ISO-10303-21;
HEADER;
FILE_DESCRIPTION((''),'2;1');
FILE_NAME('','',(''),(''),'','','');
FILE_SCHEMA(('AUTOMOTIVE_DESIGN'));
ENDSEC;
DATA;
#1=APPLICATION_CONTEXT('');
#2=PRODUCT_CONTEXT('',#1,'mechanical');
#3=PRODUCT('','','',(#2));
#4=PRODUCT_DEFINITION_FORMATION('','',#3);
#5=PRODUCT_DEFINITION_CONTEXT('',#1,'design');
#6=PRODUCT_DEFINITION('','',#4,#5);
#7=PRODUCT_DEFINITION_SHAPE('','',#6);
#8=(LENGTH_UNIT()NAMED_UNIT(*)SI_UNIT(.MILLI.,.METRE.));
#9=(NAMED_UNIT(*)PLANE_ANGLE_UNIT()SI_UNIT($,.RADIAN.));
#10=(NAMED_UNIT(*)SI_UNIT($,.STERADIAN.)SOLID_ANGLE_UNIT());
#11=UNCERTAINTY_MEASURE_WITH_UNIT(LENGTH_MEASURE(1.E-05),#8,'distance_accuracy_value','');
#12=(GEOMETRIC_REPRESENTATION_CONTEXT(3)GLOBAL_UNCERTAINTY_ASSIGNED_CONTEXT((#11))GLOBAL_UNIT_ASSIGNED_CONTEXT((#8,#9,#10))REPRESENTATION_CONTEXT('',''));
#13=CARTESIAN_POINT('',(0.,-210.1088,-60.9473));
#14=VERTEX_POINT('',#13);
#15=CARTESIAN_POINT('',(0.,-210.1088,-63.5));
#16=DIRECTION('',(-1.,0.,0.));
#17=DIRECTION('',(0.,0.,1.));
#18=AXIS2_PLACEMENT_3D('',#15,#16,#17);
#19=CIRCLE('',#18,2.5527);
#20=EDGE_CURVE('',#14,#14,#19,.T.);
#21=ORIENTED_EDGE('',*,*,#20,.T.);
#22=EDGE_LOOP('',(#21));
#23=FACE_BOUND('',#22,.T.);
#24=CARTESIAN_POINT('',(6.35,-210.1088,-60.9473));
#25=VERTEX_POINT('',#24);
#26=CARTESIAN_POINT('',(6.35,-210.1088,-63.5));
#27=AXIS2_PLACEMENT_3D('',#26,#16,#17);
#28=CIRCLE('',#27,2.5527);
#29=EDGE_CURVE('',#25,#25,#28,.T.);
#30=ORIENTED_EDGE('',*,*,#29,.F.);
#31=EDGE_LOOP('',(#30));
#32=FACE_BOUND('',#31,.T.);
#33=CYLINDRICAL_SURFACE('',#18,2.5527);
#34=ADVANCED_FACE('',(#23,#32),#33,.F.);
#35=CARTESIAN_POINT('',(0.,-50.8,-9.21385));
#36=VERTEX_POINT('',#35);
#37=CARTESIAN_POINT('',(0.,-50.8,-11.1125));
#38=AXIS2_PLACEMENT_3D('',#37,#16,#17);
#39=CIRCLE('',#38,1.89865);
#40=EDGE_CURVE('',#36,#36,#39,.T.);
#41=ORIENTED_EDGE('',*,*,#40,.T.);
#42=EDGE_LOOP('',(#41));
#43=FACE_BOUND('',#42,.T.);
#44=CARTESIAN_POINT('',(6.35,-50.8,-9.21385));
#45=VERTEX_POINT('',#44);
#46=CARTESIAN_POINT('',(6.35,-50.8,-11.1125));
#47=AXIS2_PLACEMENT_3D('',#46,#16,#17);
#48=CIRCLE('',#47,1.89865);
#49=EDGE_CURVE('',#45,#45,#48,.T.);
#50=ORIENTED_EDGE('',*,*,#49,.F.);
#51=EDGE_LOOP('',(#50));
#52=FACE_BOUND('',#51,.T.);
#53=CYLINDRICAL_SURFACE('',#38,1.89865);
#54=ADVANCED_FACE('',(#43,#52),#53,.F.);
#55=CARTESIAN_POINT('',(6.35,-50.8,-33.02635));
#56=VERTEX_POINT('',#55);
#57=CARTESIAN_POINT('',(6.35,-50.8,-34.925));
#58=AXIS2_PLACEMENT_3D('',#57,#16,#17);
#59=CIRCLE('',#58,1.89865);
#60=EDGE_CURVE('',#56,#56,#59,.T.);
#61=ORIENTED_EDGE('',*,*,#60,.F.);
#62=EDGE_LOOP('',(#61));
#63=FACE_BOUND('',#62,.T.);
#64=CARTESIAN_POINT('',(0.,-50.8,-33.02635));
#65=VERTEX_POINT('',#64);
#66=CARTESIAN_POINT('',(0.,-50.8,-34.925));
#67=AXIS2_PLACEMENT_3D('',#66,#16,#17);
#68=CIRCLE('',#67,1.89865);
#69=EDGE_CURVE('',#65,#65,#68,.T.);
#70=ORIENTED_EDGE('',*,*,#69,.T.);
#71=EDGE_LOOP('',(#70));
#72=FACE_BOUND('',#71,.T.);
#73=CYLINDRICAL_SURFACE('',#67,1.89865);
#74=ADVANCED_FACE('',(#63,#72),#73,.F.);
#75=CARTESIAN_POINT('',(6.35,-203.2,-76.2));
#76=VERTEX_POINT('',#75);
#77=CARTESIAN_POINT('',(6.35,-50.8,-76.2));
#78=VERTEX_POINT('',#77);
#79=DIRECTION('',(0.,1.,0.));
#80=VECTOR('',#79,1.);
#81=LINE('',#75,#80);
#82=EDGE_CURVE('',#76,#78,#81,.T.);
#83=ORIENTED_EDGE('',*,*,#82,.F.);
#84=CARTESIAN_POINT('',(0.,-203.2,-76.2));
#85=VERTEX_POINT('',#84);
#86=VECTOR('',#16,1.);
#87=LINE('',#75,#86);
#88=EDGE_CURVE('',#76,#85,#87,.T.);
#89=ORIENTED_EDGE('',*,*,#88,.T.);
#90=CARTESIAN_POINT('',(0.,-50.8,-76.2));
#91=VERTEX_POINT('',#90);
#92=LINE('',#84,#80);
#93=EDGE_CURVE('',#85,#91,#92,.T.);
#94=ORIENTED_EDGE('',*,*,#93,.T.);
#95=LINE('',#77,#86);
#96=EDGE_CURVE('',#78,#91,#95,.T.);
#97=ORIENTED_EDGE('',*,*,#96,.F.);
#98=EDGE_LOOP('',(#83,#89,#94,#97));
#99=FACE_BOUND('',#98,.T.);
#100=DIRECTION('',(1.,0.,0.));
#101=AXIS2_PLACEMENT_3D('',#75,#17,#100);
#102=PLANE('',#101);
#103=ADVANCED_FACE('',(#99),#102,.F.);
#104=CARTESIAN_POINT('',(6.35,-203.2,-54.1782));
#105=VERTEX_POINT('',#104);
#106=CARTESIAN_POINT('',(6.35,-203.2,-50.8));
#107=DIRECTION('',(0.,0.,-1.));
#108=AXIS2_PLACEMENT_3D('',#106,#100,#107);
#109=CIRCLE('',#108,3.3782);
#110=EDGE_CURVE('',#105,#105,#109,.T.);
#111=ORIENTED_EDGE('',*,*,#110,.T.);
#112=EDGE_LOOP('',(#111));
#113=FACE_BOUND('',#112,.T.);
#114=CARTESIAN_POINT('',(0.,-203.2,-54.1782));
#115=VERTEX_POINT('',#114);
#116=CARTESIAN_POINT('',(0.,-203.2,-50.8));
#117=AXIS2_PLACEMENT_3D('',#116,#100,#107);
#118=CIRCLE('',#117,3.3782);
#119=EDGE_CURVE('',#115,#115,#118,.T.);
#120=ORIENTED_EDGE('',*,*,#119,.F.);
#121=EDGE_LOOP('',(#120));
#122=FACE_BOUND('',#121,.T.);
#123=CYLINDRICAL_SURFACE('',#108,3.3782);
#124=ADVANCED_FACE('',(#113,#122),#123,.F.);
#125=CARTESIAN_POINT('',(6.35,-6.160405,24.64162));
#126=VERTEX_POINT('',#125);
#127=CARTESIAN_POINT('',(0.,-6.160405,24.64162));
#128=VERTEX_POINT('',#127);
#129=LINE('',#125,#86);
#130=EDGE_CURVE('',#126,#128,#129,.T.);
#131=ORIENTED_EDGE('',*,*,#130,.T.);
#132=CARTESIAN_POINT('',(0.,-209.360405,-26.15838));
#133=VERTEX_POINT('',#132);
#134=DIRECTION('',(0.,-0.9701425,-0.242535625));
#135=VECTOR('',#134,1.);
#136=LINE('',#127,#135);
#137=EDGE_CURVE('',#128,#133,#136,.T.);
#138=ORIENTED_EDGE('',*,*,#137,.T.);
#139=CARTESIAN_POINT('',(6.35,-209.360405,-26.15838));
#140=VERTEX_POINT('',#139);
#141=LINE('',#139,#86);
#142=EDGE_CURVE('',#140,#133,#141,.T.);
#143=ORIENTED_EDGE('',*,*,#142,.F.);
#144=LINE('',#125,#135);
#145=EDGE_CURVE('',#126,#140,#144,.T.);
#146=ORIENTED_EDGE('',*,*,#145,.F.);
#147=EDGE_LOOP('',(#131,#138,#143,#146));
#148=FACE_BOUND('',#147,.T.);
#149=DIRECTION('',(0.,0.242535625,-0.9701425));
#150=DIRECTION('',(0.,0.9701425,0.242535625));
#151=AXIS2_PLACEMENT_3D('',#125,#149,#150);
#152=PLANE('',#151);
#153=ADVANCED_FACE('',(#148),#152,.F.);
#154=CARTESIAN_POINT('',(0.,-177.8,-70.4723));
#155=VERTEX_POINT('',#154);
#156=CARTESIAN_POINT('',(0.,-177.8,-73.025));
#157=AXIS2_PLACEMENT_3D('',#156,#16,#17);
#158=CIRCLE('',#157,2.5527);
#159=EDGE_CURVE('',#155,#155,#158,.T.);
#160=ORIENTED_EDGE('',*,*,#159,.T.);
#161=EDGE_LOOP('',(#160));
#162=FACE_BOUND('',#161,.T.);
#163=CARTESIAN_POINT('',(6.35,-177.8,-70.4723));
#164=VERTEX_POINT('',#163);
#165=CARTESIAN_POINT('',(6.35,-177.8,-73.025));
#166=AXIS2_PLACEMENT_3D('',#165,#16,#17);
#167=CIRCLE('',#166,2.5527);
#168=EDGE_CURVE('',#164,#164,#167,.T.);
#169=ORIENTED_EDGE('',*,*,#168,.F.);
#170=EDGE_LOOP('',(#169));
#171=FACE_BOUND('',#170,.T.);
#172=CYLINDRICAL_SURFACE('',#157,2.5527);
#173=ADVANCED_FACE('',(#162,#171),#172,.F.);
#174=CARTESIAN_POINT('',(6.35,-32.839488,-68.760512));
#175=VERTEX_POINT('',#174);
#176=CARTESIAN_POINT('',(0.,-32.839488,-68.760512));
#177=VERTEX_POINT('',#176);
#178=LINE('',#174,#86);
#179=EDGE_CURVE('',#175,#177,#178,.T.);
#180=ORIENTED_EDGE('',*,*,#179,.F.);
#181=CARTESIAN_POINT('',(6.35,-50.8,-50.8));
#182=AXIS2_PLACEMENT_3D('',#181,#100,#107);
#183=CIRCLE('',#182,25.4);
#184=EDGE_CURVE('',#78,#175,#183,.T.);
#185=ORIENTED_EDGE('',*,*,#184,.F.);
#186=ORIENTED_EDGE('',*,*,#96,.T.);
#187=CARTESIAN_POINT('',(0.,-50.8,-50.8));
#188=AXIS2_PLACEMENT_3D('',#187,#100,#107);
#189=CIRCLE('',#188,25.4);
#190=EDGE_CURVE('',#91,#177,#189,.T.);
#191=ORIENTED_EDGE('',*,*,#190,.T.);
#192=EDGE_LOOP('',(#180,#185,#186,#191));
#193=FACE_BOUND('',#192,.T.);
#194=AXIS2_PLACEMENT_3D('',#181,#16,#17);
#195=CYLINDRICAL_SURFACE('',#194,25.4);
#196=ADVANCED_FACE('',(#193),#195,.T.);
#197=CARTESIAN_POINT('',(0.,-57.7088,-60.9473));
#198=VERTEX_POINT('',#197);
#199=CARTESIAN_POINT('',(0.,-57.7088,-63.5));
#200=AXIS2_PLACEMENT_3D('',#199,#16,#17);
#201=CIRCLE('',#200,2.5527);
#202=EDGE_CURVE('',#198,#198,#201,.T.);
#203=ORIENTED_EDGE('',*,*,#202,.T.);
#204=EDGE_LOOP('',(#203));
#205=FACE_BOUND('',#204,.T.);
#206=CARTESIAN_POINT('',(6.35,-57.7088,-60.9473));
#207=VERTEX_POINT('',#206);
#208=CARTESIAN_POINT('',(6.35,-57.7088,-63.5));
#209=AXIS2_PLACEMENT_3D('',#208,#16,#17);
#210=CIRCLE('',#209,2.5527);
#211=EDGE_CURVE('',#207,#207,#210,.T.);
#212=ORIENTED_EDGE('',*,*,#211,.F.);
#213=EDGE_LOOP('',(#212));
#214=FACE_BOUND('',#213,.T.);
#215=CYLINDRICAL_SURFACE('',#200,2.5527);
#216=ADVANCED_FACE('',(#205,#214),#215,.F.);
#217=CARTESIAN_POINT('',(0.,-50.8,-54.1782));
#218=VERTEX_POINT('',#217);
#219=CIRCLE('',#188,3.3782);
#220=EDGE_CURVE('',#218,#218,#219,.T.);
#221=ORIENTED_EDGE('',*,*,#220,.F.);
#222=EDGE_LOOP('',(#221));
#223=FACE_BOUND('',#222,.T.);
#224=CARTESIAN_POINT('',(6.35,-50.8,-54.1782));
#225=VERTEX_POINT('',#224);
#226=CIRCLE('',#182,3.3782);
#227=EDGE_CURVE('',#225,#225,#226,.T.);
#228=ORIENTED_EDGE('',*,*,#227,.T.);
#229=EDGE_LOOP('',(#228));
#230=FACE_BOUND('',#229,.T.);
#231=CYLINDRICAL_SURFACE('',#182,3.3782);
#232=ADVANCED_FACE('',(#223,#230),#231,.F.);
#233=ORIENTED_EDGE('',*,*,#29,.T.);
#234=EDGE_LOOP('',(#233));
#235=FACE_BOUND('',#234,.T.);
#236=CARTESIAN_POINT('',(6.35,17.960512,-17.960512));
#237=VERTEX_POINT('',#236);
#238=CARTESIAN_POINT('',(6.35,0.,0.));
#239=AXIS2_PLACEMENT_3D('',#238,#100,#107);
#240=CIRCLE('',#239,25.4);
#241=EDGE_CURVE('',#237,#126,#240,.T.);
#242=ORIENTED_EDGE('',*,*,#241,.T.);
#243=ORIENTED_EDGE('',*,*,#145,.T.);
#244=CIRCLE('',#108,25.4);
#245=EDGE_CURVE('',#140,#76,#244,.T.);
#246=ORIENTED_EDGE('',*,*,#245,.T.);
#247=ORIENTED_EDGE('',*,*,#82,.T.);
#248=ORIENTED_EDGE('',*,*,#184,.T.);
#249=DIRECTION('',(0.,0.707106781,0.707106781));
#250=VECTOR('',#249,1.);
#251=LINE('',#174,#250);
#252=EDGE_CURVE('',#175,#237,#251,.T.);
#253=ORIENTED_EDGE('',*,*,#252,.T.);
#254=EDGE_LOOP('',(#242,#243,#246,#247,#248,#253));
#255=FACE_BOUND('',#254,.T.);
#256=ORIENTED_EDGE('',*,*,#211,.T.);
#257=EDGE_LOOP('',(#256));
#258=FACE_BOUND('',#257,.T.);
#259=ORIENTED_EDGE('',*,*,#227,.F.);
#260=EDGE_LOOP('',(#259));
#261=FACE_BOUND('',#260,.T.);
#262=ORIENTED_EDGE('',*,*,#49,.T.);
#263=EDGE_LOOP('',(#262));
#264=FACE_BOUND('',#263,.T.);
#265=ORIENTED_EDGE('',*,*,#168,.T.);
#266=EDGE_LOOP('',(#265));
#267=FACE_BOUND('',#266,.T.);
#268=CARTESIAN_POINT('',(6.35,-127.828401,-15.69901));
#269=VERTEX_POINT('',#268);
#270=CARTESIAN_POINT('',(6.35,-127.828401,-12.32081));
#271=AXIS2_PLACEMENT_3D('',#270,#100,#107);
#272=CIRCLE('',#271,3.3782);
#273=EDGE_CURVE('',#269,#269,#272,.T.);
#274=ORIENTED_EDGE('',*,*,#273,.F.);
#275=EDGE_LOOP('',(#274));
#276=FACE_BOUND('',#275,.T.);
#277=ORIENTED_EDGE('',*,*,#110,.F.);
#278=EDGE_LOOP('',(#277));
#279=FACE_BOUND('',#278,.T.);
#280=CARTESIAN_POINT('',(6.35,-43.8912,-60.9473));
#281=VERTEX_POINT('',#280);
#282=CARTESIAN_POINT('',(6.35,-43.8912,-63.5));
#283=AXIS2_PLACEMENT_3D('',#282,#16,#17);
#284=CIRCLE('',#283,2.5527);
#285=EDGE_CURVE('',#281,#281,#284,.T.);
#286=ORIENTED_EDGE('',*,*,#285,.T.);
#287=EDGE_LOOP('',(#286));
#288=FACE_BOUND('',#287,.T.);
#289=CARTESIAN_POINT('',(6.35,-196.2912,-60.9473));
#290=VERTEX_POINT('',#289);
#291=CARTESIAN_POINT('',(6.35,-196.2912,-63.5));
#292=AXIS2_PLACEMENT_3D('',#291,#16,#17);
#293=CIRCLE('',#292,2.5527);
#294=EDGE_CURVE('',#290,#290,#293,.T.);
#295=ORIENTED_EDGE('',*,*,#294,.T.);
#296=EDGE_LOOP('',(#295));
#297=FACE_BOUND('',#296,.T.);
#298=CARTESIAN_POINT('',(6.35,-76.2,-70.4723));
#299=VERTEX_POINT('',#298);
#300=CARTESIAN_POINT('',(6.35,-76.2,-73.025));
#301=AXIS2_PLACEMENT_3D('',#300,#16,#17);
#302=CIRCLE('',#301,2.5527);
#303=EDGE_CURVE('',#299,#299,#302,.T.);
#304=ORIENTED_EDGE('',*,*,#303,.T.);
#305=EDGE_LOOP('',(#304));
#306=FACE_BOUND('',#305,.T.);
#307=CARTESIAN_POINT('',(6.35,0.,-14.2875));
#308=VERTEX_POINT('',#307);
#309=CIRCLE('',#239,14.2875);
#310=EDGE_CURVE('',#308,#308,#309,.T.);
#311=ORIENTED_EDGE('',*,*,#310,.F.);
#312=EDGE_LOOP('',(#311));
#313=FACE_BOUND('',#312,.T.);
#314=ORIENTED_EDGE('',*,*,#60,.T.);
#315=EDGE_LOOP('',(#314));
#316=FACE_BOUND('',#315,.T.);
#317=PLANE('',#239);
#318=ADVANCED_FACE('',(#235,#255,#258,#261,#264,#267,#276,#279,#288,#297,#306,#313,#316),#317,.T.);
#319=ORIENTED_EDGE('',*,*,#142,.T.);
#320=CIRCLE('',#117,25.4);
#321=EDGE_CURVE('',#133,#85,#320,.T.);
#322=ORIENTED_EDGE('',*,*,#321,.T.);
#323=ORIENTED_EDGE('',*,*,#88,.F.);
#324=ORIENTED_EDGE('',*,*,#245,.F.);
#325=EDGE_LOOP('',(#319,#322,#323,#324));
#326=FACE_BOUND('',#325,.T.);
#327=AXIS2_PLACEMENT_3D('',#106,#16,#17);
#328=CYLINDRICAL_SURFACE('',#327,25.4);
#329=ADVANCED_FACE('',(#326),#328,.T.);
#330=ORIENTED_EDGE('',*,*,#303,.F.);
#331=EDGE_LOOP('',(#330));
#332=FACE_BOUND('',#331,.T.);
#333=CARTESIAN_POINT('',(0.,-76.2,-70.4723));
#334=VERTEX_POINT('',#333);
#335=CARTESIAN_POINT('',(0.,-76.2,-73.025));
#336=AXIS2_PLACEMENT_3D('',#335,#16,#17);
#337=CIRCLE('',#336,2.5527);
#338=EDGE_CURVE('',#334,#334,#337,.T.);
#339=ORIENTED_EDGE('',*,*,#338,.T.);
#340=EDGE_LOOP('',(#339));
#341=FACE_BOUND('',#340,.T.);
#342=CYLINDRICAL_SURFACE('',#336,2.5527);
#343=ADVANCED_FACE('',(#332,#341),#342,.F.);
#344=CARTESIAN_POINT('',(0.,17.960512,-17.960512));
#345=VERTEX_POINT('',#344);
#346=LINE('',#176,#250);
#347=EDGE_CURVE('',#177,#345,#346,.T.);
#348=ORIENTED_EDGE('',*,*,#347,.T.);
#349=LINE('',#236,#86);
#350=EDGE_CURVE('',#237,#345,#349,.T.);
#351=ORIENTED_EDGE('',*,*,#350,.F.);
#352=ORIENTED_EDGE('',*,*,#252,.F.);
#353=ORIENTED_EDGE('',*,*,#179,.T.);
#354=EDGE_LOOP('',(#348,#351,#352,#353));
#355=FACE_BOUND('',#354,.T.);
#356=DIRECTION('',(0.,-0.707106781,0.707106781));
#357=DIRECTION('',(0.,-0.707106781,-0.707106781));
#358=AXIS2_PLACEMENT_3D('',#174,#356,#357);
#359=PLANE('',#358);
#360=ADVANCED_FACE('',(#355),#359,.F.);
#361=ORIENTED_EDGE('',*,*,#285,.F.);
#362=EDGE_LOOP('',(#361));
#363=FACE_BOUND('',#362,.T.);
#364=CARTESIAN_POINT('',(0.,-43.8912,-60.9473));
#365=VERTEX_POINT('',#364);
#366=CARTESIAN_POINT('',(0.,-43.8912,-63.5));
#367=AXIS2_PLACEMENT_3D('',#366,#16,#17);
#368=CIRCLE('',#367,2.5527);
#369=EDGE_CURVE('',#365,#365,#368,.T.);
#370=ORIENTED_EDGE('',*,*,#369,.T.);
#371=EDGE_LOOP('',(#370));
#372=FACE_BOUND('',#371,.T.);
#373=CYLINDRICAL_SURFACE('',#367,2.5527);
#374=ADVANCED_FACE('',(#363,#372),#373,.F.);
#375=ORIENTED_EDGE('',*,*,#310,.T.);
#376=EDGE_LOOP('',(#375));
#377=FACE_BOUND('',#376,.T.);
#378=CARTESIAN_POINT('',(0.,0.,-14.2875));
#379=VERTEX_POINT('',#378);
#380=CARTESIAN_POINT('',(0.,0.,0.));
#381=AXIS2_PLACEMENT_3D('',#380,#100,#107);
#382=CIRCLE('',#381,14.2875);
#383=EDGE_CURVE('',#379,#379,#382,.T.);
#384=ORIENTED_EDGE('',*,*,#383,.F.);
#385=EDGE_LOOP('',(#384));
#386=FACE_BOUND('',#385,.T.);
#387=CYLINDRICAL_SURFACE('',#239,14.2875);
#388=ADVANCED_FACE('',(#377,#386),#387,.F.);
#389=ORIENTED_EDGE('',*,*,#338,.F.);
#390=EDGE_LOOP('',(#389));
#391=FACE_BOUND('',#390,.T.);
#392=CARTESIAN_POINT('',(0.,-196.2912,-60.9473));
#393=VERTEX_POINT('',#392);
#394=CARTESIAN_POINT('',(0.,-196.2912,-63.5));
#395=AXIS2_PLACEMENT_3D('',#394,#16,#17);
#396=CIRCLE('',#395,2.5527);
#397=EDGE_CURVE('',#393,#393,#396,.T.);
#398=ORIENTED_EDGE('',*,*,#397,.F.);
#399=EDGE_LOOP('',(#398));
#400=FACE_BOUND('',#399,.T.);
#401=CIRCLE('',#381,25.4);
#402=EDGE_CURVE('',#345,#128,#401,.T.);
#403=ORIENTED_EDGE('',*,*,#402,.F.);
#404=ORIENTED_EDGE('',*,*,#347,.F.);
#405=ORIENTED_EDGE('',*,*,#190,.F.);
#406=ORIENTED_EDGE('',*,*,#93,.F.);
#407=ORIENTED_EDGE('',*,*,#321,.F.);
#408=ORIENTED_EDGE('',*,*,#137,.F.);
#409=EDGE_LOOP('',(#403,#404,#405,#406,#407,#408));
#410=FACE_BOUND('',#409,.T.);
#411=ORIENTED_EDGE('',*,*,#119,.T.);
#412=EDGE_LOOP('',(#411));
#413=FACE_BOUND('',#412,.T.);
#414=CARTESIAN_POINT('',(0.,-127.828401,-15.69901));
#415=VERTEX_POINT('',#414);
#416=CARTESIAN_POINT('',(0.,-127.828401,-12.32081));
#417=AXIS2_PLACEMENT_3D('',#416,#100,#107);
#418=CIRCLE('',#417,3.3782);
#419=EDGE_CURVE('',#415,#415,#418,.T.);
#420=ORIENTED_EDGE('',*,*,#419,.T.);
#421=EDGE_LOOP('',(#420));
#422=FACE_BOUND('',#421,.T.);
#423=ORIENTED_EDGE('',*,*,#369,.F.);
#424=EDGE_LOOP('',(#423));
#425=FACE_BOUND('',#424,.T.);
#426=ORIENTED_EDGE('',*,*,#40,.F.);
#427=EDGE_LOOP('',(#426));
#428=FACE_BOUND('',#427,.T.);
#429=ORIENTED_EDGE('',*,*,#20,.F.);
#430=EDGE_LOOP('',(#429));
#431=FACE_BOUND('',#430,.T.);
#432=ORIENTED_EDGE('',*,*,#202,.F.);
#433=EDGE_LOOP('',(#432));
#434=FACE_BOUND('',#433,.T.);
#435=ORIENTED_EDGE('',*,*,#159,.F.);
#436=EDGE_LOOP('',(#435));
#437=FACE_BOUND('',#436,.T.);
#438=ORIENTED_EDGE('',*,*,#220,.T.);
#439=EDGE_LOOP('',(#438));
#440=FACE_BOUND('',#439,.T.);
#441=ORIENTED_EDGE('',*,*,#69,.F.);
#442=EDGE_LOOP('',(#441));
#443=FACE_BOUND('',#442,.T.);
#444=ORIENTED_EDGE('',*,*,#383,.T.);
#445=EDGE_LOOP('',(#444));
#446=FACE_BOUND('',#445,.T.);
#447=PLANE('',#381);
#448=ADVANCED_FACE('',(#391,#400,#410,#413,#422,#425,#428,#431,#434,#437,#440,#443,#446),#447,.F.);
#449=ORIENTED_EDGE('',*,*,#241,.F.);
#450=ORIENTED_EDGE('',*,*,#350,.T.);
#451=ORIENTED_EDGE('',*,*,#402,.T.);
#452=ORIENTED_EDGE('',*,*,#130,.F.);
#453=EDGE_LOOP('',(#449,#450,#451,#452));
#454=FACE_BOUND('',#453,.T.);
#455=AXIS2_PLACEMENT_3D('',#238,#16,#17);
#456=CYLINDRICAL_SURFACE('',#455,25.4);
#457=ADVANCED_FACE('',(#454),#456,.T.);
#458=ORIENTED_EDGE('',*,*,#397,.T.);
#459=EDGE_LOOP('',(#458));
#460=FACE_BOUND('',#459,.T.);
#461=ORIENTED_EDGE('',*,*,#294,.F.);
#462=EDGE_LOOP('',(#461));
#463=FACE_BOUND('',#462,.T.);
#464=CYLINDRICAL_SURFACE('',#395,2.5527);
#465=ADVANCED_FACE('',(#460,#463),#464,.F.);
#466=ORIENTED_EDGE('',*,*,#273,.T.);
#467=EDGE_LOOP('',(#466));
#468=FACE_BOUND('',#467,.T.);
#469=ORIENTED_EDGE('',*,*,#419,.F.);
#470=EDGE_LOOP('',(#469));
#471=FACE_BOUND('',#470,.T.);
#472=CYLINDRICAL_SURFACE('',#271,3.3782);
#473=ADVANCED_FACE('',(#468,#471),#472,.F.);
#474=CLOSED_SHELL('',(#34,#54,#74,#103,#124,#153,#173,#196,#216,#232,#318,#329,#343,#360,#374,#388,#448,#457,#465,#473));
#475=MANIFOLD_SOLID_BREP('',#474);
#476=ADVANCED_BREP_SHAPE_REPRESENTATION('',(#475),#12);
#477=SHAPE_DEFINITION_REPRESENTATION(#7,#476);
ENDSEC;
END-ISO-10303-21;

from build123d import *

# Parameters (mm, degrees)
BOSS_EXTRUDE1_DEPTH     = 6.35
F_1_1_DIAMETER_HOLE1_D  = 28.575
F_1_4_CLEARANCE_HOLE1_D = 6.7564
F_1_4_20_TAPPED_HOLE1_D = 5.1054
F_10_24_TAPPED_HOLE1_D  = 3.7973
F_10_CLEARANCE_HOLE1_D  = 5.1054


with BuildPart() as part:
    # Sketch2 → Boss-Extrude1 (new body)
    with BuildSketch(Plane(origin=(0, 0, 0), x_dir=(0, 0, -1), z_dir=(1, 0, 0))):
        with BuildLine():
            Line((68.760512242, -32.839487758), (17.960512242, 17.960512242))
            ThreePointArc((17.960512242, 17.960512242), (-12.514549901, 22.103077632), (-24.641619504, -6.160404876))
            Line((-24.641619504, -6.160404876), (26.158380496, -209.360404876))
            ThreePointArc((26.158380496, -209.360404876), (53.903454898, -228.40969194), (76.2, -203.2))
            Line((76.2, -203.2), (76.2, -50.8))
            ThreePointArc((76.2, -50.8), (74.266540126, -41.079840818), (68.760512242, -32.839487758))
        make_face()
    extrude(amount=BOSS_EXTRUDE1_DEPTH)

    # 1 (1) Diameter Hole1 (through all)
    with Locations(Plane(origin=(6.35, 0, 0), x_dir=(0, 0, -1), z_dir=(1, 0, 0))):
        with Locations((0, 0)):
            Hole(F_1_1_DIAMETER_HOLE1_D / 2)

    # 1/4 Clearance Hole1 (through all)
    with Locations(Plane(origin=(6.35, 0, 0), x_dir=(0, 0, -1), z_dir=(1, 0, 0))):
        with Locations((50.8, -50.8), (50.8, -203.2), (12.320809752, -127.828401175)):
            Hole(F_1_4_CLEARANCE_HOLE1_D / 2)

    # 1/4-20 Tapped Hole1 (through all)
    with Locations(Plane.ZY):
        with Locations((-63.5, -57.7088), (-63.5, -43.8912), (-63.5, -196.2912), (-63.5, -210.1088)):
            Hole(F_1_4_20_TAPPED_HOLE1_D / 2)

    # #10-24 Tapped Hole1 (through all)
    with Locations(Plane.ZY):
        with Locations((-34.925, -50.8), (-11.1125, -50.8)):
            Hole(F_10_24_TAPPED_HOLE1_D / 2)

    # #10 Clearance Hole1 (through all)
    with Locations(Plane.ZY):
        with Locations((-73.025, -76.2), (-73.025, -177.8)):
            Hole(F_10_CLEARANCE_HOLE1_D / 2)


solid = part.part
